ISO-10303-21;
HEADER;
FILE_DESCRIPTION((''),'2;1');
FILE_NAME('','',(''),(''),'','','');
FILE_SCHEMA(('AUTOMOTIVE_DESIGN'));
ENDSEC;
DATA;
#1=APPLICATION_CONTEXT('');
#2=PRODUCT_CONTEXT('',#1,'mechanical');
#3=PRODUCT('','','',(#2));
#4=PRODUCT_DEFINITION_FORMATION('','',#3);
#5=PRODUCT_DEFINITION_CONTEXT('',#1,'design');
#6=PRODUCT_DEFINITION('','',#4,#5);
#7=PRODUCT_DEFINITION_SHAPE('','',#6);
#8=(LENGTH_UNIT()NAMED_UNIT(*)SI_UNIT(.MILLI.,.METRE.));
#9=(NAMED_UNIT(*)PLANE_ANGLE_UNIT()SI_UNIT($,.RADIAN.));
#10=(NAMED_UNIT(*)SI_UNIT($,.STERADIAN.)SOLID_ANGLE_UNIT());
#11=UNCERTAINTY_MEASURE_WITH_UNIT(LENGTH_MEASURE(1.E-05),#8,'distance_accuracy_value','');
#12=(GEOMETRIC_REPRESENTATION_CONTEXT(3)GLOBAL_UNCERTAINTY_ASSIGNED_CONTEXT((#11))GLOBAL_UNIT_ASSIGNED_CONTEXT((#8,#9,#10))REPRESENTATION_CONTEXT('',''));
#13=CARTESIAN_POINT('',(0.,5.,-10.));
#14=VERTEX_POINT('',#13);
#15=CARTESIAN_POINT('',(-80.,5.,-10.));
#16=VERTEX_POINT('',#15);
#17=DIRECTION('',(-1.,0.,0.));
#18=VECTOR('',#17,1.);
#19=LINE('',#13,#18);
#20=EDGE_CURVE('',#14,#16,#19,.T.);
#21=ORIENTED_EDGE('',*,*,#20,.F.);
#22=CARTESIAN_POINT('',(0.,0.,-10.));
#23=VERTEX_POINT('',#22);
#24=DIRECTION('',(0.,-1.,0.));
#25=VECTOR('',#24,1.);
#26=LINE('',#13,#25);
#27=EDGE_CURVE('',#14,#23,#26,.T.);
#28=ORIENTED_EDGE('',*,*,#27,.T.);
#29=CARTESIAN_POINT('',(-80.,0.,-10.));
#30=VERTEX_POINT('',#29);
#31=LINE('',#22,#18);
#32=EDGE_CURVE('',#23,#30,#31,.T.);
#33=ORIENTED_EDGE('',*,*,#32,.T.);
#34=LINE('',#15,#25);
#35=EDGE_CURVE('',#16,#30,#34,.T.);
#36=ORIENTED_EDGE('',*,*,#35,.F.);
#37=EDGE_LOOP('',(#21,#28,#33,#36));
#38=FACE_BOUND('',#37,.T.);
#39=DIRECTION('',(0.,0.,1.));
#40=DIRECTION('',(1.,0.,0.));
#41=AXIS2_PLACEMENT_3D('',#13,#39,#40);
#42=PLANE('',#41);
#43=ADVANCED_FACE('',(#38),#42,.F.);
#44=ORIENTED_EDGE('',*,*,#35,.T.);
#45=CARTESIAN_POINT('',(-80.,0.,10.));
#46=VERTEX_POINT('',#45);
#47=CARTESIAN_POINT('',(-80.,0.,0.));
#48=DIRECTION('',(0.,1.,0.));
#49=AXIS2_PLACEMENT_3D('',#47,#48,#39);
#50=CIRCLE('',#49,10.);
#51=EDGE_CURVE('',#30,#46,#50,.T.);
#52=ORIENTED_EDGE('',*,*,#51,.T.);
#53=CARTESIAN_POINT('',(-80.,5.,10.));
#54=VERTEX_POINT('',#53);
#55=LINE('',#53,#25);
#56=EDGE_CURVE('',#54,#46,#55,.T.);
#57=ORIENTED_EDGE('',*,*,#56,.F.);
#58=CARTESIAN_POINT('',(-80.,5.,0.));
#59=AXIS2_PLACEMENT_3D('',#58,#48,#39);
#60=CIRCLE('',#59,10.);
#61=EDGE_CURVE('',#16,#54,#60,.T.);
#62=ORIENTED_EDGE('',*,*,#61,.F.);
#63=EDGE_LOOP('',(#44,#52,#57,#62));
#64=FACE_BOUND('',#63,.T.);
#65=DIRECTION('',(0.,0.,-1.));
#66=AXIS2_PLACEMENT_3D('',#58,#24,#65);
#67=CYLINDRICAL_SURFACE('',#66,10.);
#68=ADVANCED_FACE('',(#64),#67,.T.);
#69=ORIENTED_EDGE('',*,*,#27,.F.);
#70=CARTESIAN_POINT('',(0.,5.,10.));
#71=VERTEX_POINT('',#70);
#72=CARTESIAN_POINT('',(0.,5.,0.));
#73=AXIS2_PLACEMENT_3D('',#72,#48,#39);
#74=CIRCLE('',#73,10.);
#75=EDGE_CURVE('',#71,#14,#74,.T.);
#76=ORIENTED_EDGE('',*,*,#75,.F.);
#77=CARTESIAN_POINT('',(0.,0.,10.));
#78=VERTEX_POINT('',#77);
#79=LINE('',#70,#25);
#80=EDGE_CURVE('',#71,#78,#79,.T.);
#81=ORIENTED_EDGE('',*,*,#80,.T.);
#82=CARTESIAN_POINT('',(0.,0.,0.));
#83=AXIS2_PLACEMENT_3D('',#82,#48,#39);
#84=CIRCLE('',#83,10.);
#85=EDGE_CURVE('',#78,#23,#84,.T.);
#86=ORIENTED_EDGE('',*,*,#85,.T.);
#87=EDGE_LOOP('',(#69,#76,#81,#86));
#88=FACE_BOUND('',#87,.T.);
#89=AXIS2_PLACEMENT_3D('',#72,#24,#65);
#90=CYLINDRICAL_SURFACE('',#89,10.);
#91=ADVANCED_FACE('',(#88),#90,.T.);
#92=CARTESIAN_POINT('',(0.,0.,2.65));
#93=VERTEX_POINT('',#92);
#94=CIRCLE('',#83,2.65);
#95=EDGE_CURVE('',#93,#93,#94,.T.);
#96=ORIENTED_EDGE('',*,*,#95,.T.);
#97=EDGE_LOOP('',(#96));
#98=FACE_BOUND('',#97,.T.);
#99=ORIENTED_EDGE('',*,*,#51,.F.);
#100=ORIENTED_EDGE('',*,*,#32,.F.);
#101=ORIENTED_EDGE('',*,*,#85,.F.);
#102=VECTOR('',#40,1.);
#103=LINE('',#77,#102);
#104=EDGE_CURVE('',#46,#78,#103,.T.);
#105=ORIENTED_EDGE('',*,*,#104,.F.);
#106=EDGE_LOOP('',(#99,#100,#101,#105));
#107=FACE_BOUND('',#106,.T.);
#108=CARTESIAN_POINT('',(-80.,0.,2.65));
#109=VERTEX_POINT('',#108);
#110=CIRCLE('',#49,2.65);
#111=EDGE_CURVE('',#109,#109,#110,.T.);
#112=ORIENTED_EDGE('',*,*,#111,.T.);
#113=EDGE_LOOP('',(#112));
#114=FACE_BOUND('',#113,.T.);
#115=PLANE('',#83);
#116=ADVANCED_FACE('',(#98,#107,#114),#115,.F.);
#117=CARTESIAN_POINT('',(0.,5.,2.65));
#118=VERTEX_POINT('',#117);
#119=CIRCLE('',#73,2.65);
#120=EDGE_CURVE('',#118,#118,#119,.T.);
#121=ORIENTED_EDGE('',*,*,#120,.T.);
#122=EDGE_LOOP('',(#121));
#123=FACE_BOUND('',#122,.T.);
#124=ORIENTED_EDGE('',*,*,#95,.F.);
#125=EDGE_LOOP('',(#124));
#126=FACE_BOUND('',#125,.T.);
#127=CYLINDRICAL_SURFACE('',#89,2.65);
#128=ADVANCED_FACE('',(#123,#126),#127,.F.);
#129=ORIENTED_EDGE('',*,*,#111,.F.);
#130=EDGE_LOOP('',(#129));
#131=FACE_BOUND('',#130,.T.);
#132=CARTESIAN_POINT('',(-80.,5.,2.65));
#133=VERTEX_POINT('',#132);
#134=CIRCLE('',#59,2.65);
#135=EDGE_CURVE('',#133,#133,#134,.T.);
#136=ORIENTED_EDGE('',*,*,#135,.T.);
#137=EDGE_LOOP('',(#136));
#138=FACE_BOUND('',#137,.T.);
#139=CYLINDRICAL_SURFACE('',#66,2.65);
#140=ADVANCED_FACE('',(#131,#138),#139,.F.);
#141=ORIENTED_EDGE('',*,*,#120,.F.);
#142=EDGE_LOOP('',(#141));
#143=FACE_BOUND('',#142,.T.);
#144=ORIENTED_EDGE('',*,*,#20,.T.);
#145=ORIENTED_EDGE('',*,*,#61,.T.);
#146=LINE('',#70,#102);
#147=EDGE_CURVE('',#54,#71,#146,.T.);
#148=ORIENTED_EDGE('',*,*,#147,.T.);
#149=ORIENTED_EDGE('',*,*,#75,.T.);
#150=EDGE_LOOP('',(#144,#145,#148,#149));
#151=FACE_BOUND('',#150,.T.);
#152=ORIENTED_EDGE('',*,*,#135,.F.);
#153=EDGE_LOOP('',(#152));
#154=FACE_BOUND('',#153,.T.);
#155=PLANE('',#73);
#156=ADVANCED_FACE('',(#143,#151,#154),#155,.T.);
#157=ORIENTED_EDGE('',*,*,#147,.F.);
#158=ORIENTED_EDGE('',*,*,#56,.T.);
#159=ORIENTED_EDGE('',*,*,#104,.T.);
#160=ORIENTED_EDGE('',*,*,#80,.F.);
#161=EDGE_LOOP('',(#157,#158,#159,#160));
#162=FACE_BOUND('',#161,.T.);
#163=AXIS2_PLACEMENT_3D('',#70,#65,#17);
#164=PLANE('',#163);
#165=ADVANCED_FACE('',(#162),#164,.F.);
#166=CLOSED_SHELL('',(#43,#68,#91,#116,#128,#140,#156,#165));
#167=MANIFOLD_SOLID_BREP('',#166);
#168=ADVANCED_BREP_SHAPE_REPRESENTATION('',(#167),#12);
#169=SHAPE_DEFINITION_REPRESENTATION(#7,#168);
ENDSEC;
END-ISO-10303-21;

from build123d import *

# Parameters (mm, degrees)
CROQUIS1_R              = 2.65
SALIENTE_EXTRUIR1_DEPTH = 5


with BuildPart() as part:
    # Croquis1 → Saliente-Extruir1 (new body)
    with BuildSketch(Plane(origin=(0, 0, 0), x_dir=(1, 0, 0), z_dir=(0, 1, 0))):
        with BuildLine():
            Line((0, -10), (-80, -10))
            ThreePointArc((-80, -10), (-90, 0), (-80, 10))
            Line((-80, 10), (0, 10))
            ThreePointArc((0, 10), (10, 0), (0, -10))
        make_face()
        with Locations(Location((-80, 0, 0), (0, 0, 270))):
            Circle(CROQUIS1_R, mode=Mode.SUBTRACT)
        with Locations(Location((0, 0, 0), (0, 0, 270))):
            Circle(CROQUIS1_R, mode=Mode.SUBTRACT)
    extrude(amount=SALIENTE_EXTRUIR1_DEPTH)


solid = part.part
